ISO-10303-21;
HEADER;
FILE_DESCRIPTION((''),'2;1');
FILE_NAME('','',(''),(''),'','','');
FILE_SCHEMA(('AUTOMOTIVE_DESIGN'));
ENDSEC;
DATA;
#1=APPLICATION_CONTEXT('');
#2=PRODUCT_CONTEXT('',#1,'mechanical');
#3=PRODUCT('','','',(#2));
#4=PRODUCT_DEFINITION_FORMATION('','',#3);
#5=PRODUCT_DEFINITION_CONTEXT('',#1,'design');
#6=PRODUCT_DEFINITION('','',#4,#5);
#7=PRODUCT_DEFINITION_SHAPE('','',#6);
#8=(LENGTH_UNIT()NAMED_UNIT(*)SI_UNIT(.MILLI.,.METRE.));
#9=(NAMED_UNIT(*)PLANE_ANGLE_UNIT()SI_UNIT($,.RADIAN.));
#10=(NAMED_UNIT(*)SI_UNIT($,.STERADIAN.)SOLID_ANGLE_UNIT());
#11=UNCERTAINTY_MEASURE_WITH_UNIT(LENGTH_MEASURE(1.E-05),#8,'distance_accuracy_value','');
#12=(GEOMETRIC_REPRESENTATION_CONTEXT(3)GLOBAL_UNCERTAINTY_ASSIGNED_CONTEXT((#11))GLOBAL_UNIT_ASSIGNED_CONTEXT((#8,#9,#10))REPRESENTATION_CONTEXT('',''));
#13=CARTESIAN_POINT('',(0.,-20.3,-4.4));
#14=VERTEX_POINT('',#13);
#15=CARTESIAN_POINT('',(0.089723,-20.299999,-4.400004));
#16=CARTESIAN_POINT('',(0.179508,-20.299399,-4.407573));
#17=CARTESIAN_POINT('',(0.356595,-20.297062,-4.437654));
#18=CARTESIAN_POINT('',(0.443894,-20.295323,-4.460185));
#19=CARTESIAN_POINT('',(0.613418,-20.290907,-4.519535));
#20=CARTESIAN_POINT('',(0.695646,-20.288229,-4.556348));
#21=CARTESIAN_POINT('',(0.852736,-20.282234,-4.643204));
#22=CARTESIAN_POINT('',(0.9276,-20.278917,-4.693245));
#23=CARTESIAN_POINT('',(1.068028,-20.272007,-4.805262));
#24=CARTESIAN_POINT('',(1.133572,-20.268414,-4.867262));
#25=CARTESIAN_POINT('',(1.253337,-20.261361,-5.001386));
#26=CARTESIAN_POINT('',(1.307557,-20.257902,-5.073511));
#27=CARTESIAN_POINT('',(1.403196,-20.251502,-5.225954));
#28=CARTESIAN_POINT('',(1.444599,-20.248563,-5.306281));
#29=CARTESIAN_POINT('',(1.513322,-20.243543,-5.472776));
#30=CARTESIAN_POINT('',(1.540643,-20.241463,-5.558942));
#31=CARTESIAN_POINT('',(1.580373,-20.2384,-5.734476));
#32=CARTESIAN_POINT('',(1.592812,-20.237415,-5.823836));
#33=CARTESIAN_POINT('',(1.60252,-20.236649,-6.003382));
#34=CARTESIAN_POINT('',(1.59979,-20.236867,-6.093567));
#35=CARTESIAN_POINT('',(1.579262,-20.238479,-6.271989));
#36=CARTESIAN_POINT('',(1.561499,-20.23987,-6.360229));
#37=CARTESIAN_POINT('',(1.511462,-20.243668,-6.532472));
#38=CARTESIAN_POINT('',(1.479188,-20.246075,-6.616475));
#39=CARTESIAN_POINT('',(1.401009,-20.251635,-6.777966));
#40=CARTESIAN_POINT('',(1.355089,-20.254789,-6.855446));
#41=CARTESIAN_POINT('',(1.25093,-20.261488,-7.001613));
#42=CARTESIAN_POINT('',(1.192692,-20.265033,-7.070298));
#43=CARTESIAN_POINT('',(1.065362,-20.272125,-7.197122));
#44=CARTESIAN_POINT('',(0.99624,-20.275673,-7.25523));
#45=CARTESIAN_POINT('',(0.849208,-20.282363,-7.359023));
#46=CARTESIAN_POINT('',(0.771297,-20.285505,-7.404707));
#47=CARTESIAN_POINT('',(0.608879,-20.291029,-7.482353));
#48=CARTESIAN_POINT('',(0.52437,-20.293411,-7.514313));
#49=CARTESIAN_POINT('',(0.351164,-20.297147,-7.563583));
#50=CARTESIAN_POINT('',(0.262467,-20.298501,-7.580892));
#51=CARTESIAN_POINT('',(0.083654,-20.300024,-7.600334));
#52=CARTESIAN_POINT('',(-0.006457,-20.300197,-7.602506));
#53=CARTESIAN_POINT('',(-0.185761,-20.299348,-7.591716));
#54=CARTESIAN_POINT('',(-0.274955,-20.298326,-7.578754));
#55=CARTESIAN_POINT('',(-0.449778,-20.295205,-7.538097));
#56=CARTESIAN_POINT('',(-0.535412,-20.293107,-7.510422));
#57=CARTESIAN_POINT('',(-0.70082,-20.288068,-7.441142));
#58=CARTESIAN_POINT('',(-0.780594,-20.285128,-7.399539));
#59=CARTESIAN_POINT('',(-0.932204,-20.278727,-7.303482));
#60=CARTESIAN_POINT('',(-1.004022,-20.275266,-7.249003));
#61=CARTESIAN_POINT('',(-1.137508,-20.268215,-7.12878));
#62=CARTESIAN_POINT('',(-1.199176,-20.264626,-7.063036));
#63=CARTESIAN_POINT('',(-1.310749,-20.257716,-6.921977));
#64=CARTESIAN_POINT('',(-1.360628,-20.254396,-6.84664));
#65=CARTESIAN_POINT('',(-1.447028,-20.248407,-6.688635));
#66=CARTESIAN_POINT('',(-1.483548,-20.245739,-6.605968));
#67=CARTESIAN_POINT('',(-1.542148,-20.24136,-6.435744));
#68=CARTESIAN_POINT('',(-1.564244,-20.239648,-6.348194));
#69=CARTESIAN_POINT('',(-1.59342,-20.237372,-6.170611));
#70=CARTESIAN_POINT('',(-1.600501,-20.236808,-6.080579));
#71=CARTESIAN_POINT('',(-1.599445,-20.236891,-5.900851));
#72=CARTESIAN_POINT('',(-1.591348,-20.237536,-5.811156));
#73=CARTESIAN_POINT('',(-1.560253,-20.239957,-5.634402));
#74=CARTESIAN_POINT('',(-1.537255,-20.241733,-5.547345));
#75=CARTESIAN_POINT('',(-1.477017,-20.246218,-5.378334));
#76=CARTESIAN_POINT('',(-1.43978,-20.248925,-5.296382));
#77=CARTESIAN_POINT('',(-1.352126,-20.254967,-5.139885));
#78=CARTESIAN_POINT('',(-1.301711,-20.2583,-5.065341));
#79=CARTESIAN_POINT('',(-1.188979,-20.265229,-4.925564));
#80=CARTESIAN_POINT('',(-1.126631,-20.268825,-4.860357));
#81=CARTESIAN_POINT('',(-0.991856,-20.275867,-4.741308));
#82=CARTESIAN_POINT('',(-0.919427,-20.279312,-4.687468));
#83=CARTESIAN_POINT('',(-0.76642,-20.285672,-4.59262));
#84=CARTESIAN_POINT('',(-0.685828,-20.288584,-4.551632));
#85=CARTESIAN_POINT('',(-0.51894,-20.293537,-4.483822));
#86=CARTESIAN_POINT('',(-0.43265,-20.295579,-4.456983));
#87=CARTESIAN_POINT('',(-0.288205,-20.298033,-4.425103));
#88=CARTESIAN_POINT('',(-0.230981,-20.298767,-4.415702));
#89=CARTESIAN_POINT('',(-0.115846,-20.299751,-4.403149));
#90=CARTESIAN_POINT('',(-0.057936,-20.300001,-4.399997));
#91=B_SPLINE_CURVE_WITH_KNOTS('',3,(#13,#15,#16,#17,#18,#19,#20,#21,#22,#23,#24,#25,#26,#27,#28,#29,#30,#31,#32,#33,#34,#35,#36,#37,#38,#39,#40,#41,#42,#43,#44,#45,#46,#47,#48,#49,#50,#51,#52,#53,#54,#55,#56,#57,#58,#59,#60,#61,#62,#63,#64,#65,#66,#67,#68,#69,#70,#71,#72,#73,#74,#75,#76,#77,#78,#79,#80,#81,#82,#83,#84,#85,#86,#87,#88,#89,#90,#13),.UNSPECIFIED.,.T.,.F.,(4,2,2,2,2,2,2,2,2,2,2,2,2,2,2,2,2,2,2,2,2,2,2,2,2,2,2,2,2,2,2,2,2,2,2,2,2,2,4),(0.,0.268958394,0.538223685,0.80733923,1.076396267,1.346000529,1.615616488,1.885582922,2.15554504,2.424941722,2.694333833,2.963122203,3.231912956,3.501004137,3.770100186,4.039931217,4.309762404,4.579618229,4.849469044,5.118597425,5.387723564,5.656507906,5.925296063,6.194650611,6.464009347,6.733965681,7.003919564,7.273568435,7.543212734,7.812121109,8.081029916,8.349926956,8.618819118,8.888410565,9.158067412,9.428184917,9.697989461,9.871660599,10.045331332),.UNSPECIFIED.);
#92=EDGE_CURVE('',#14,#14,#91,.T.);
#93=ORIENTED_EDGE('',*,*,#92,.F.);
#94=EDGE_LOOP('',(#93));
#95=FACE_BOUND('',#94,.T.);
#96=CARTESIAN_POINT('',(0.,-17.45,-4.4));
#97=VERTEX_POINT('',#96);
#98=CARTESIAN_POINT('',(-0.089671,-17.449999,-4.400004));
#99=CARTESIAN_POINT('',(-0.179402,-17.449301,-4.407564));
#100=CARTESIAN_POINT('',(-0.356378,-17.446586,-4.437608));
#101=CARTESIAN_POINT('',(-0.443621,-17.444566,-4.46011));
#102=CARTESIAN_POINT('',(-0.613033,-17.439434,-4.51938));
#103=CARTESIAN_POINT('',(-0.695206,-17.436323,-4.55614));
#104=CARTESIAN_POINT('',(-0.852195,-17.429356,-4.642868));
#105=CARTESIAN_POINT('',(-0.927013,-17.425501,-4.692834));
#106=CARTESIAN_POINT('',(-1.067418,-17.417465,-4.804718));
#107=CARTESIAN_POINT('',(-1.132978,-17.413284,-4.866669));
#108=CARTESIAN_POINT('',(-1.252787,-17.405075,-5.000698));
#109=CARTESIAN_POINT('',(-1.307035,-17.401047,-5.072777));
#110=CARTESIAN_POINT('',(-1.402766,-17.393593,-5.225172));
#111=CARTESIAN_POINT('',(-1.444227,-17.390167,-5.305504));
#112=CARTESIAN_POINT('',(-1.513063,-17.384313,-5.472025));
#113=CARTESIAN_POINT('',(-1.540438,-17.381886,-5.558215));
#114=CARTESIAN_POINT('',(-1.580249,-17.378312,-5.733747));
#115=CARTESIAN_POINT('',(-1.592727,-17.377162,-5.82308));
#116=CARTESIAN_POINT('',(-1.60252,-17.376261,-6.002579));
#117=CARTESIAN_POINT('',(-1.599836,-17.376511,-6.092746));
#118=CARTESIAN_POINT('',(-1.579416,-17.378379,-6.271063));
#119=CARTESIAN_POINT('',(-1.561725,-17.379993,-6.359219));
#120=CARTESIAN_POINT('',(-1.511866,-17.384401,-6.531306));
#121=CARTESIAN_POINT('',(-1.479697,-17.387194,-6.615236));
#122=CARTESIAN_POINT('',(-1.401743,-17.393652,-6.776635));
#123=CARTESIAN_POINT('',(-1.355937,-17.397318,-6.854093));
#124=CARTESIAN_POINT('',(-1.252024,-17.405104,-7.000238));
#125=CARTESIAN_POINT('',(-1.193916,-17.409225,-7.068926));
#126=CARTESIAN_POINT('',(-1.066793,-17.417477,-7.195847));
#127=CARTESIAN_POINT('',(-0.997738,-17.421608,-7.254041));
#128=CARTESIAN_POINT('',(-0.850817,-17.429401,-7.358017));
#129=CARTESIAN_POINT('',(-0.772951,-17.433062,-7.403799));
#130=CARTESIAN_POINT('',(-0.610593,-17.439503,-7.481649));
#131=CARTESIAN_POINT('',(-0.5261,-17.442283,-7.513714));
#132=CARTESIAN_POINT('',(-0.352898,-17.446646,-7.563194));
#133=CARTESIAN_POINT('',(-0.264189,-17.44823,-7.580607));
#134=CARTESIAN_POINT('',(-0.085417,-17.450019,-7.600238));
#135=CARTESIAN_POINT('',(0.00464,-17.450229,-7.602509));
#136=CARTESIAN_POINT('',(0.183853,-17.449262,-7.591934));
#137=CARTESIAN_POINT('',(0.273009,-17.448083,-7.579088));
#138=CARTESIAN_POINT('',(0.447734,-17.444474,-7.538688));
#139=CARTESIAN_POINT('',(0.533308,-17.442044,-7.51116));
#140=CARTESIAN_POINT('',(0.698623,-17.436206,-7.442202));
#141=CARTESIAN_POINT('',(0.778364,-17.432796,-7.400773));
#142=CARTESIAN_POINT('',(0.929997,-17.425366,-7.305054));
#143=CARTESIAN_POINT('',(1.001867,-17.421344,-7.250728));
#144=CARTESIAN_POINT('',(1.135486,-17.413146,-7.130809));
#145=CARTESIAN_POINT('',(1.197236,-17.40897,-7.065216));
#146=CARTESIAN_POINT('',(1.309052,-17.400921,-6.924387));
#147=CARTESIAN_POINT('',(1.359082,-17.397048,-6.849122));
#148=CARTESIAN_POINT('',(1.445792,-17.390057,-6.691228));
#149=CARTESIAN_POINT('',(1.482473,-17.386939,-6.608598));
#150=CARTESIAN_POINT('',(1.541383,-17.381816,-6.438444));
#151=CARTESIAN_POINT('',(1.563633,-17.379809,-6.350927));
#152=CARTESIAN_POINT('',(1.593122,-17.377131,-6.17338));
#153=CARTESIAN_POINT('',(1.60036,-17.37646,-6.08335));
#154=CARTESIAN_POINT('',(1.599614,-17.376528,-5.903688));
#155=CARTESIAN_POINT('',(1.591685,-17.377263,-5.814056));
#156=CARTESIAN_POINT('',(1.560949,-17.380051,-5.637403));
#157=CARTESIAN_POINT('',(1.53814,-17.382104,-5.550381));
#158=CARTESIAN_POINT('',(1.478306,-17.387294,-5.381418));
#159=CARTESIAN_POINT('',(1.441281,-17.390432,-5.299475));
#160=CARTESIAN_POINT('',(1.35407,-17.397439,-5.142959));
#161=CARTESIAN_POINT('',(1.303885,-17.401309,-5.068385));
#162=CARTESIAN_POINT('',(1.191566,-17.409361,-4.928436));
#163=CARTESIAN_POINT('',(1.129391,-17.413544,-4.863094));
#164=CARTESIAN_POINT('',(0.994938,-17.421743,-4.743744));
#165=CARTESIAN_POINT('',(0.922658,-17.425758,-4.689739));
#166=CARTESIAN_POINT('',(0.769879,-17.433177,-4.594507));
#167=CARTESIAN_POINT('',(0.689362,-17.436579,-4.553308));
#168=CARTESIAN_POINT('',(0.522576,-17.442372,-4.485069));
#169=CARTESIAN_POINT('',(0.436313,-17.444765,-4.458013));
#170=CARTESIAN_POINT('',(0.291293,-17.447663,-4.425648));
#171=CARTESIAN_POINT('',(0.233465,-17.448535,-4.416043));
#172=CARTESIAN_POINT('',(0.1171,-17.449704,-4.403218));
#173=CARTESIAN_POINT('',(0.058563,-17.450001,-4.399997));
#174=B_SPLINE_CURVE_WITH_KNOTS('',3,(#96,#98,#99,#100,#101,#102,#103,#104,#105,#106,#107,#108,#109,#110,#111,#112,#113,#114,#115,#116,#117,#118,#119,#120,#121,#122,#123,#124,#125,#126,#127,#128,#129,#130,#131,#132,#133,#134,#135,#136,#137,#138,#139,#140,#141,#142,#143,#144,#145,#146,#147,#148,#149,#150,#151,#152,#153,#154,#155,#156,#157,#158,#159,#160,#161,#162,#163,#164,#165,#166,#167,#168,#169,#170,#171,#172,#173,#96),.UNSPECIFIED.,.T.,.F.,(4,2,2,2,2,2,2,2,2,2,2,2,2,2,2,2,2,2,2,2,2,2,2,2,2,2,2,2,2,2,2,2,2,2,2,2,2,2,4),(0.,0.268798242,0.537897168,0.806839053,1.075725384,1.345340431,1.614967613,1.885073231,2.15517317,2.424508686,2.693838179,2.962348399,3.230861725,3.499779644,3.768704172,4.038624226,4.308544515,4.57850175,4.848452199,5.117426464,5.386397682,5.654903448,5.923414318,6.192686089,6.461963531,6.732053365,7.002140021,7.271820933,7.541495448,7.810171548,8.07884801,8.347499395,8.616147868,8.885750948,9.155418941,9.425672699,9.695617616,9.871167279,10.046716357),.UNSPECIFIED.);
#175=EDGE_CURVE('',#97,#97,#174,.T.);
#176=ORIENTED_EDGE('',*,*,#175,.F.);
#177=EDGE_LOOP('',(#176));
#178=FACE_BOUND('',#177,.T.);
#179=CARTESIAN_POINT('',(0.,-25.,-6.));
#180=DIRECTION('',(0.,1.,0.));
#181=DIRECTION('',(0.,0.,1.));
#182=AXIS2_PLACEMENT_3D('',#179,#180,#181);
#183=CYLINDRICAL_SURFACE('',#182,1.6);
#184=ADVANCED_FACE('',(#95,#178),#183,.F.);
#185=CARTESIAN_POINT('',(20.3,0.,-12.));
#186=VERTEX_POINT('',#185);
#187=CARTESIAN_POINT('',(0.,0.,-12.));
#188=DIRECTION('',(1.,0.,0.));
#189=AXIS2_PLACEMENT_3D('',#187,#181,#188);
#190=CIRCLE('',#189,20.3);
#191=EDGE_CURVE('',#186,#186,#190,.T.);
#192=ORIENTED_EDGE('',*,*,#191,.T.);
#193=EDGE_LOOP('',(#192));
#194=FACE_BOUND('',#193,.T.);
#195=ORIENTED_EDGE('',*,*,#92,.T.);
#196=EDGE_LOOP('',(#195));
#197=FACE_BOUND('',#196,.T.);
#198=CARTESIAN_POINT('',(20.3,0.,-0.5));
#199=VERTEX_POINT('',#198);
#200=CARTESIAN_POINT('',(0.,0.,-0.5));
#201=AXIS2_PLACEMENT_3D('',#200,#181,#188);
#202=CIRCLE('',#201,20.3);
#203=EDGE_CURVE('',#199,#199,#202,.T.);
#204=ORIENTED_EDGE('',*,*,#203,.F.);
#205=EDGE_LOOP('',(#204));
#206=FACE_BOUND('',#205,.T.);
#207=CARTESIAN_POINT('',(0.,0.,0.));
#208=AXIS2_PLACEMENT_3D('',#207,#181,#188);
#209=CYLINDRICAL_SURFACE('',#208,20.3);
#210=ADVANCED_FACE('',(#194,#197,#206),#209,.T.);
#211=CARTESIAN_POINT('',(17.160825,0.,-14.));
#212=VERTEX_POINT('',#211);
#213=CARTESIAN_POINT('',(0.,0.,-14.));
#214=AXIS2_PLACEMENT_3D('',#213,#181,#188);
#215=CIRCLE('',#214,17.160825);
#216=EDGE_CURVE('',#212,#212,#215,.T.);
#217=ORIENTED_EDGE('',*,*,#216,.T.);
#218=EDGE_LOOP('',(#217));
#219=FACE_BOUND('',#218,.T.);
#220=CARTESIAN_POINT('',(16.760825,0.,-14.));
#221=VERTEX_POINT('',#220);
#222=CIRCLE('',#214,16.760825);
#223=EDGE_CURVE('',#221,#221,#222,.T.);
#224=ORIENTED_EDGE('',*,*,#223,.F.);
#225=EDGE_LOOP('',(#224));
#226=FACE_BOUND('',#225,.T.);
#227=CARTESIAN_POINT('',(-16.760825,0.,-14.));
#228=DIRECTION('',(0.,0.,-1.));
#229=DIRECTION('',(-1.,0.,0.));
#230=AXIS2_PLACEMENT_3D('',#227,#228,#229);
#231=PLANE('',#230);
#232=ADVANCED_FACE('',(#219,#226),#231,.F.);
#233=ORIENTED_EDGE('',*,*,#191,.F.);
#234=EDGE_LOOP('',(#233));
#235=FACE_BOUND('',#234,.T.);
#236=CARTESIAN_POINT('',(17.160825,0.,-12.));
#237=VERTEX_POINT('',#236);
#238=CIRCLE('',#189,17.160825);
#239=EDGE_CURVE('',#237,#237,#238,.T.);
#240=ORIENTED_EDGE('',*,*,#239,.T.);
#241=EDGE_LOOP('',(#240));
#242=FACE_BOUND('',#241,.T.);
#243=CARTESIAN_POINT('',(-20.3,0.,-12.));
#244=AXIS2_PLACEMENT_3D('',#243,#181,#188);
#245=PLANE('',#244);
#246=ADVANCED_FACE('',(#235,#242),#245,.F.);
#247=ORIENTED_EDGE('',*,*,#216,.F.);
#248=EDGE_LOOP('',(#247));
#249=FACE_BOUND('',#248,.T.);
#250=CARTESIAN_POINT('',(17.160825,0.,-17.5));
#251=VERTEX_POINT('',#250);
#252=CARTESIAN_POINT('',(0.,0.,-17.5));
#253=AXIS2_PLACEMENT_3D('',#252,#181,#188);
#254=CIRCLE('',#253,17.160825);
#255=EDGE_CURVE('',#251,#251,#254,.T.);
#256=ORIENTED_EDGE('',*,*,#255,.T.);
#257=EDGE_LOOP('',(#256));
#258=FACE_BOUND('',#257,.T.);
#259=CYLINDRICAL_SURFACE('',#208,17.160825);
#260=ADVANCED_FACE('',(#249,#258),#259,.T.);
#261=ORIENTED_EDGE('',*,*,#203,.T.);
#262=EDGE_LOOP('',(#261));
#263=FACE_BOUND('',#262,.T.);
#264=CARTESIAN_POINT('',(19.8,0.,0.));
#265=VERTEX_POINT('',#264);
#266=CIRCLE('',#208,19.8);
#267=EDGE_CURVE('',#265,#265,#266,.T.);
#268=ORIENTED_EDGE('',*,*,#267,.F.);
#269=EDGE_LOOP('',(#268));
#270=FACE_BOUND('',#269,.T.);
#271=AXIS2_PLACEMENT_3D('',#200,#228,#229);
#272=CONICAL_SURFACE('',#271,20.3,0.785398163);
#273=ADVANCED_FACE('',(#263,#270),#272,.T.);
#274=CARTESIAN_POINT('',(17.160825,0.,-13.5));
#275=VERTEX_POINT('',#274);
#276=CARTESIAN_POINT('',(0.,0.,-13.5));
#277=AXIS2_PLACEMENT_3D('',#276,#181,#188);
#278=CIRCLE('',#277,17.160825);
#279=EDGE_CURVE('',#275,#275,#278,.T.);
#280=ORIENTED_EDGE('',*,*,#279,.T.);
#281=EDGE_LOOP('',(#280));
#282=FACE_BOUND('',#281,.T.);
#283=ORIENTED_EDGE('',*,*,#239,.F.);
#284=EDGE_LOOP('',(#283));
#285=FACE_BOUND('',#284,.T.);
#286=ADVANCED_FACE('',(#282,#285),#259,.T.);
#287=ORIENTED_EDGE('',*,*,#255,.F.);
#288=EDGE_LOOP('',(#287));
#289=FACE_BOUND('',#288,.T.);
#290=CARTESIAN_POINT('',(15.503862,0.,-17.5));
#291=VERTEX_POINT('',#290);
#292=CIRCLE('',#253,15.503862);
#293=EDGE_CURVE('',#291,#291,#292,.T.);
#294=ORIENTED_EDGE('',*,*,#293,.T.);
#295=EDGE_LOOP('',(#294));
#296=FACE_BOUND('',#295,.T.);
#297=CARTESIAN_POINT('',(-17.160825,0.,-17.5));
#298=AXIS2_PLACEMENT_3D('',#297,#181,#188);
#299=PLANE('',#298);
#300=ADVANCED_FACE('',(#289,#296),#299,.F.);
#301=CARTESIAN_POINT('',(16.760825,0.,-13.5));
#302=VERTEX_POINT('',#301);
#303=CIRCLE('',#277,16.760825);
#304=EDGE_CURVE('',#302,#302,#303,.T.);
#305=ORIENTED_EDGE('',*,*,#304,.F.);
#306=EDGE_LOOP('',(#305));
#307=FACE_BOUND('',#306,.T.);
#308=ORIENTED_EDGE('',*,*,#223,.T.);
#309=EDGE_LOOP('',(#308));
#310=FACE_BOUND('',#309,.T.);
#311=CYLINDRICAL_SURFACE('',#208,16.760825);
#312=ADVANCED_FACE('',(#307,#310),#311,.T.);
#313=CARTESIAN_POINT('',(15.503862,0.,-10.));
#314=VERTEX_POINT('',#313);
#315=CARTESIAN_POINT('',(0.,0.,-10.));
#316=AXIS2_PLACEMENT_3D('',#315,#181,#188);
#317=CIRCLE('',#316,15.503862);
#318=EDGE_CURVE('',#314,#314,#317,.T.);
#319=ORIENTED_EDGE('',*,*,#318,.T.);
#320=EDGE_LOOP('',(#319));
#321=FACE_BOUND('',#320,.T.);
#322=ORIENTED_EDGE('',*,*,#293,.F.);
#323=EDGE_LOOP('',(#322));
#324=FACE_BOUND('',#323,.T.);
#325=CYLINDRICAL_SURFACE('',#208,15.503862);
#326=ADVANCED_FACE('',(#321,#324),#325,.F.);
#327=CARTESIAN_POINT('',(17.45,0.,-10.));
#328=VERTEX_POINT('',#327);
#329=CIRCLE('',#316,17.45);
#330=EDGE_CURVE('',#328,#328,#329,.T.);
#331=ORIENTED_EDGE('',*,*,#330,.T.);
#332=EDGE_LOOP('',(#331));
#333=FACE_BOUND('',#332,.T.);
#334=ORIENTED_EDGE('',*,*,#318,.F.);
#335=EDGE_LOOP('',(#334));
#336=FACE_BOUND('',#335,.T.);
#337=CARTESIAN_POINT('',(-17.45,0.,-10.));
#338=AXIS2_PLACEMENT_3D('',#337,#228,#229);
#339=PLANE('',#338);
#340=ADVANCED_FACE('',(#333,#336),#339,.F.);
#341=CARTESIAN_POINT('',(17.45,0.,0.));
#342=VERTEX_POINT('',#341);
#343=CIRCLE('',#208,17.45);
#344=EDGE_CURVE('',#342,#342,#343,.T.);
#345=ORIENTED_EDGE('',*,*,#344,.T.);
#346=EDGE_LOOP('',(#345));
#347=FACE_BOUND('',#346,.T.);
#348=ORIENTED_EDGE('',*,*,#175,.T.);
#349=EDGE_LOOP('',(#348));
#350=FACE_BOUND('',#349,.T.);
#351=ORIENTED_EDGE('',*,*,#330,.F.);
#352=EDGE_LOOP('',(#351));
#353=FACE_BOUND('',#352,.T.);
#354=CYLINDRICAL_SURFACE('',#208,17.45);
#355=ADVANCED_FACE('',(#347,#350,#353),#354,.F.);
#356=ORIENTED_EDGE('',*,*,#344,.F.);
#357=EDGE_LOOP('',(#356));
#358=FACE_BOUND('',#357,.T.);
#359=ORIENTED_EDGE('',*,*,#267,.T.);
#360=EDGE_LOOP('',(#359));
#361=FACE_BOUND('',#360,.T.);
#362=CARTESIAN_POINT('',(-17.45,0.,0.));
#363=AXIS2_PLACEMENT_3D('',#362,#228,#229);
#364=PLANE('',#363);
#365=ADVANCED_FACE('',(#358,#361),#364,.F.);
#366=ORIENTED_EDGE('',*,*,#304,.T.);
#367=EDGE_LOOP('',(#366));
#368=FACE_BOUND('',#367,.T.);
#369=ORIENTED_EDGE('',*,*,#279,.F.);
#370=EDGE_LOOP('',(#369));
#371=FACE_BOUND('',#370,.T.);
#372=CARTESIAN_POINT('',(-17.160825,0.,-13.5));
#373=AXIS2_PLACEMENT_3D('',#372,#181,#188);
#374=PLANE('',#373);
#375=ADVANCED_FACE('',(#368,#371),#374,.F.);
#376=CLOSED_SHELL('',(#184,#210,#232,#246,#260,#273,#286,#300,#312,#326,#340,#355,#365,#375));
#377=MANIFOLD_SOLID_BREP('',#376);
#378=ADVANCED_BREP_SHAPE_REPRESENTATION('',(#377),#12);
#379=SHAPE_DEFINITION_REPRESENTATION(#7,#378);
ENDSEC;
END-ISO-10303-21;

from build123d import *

# Parameters (mm, degrees)
SKETCH2_R          = 1.6
CUT_EXTRUDE1_DEPTH = 25


with BuildPart() as part:
    # Sketch1 → Revolve1 (revolve)
    with BuildSketch(Plane(origin=(0, 0, 0), x_dir=(1, 0, 0), z_dir=(0, 1, 0))):
        Polygon((-17.45, 0), (-19.8, 0), (-20.3, 0.5), (-20.3, 12), (-17.160824742, 12), (-17.160824742, 13.5), (-16.760824742, 13.5), (-16.760824742, 14), (-17.160824742, 14), (-17.160824742, 17.5), (-15.50386168, 17.5), (-15.50386168, 10), (-17.45, 10), align=None)
    revolve(axis=Axis((0, 0, 0), (0, 0, -1)))

    # Sketch2 → Cut-Extrude1 (cut)
    with BuildSketch(Plane(origin=(0, 0, 0), x_dir=(1, 0, 0), z_dir=(0, 1, 0))):
        with Locations((0, 6)):
            Circle(SKETCH2_R)
    extrude(amount=-CUT_EXTRUDE1_DEPTH, mode=Mode.SUBTRACT)


solid = part.part
